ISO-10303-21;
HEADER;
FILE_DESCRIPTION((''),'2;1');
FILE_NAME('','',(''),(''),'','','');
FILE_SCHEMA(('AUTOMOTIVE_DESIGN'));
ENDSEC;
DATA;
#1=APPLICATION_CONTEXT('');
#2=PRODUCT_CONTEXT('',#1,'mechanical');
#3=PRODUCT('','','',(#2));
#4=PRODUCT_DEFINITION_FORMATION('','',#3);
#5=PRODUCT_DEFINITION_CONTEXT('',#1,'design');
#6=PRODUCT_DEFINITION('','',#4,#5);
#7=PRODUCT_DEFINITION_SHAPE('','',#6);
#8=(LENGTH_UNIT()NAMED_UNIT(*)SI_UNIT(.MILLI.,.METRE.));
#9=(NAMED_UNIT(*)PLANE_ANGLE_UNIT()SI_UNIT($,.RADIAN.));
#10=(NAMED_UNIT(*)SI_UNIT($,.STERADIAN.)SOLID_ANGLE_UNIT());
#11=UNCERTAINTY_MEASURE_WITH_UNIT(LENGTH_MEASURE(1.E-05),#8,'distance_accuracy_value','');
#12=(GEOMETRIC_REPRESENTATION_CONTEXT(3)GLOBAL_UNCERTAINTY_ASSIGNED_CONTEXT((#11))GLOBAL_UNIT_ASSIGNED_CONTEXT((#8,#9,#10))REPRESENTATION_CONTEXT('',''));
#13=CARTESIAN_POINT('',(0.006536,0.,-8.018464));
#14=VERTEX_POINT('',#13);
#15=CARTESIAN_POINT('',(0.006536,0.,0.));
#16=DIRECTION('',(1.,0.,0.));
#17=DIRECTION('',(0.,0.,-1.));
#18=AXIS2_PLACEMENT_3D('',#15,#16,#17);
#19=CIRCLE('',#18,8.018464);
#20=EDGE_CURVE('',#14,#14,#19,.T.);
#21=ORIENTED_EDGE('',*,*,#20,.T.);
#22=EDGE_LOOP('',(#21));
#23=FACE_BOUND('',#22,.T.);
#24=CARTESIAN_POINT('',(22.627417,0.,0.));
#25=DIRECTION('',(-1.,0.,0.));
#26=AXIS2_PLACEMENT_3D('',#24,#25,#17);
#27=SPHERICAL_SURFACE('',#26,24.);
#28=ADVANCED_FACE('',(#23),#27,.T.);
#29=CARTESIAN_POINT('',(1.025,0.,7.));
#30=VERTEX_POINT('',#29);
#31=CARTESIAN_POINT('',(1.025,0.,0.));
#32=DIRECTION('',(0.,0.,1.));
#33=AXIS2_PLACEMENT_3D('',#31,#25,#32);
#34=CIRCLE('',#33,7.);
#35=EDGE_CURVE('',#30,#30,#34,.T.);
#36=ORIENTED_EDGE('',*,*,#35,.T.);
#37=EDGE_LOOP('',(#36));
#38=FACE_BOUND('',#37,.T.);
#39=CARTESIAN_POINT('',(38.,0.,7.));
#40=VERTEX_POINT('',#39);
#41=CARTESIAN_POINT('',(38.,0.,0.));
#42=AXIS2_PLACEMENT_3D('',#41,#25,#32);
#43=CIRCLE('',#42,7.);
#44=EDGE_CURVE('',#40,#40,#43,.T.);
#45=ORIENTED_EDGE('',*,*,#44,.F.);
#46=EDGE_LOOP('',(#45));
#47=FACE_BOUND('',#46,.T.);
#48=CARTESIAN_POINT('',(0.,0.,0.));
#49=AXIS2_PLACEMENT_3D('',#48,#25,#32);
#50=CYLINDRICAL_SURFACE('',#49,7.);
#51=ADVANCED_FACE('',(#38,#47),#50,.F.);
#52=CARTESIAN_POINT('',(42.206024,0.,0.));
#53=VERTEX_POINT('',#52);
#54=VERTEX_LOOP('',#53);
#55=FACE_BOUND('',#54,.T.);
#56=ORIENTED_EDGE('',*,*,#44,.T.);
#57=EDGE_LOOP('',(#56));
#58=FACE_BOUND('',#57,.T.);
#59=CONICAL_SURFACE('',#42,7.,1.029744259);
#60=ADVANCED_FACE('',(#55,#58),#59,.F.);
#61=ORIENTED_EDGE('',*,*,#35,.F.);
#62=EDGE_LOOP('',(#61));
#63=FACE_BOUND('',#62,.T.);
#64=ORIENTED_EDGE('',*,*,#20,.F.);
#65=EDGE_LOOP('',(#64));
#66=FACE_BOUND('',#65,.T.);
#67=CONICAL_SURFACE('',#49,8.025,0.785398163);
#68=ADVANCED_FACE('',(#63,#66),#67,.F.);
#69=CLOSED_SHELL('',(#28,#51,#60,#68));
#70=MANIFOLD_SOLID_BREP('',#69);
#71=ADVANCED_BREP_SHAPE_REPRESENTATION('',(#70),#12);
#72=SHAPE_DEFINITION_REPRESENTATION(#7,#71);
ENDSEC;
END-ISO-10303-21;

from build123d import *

# Parameters (mm, degrees)
FURO_ROSCADO_DE_M161_D           = 14
FURO_ROSCADO_DE_M161_DEPTH       = 38
FURO_ROSCADO_DE_M161_CSINK_D     = 16.05
FURO_ROSCADO_DE_M161_CSINK_ANGLE = 90
FURO_ROSCADO_DE_M161_TIP         = 4.206024333192922


with BuildPart() as part:
    # Esboço1 → Revolução1 (revolve)
    with BuildSketch(Plane(origin=(0, 0, 0), x_dir=(1, 0, 0), z_dir=(0, 1, 0))):
        with BuildLine():
            Line((46.62741699796952, 0), (0, 0))
            Line((0, 0), (0, 8))
            ThreePointArc((0, 8), (26.685864487387825, 23.65436543168373), (46.62741699796952, 0))
        make_face()
    revolve(axis=Axis((5.928556183495518, 0, 0), (1, 0, 0)))

    # Furo roscado de M161
    with Locations(Plane.ZY):
        with Locations((0, 0)):
            CounterSinkHole(FURO_ROSCADO_DE_M161_D / 2, FURO_ROSCADO_DE_M161_CSINK_D / 2, depth=FURO_ROSCADO_DE_M161_DEPTH, counter_sink_angle=FURO_ROSCADO_DE_M161_CSINK_ANGLE)
            with Locations((0, 0, -(FURO_ROSCADO_DE_M161_DEPTH + FURO_ROSCADO_DE_M161_TIP / 2))):  # 118° drill point
                Cone(0, FURO_ROSCADO_DE_M161_D / 2, FURO_ROSCADO_DE_M161_TIP, mode=Mode.SUBTRACT)


solid = part.part
